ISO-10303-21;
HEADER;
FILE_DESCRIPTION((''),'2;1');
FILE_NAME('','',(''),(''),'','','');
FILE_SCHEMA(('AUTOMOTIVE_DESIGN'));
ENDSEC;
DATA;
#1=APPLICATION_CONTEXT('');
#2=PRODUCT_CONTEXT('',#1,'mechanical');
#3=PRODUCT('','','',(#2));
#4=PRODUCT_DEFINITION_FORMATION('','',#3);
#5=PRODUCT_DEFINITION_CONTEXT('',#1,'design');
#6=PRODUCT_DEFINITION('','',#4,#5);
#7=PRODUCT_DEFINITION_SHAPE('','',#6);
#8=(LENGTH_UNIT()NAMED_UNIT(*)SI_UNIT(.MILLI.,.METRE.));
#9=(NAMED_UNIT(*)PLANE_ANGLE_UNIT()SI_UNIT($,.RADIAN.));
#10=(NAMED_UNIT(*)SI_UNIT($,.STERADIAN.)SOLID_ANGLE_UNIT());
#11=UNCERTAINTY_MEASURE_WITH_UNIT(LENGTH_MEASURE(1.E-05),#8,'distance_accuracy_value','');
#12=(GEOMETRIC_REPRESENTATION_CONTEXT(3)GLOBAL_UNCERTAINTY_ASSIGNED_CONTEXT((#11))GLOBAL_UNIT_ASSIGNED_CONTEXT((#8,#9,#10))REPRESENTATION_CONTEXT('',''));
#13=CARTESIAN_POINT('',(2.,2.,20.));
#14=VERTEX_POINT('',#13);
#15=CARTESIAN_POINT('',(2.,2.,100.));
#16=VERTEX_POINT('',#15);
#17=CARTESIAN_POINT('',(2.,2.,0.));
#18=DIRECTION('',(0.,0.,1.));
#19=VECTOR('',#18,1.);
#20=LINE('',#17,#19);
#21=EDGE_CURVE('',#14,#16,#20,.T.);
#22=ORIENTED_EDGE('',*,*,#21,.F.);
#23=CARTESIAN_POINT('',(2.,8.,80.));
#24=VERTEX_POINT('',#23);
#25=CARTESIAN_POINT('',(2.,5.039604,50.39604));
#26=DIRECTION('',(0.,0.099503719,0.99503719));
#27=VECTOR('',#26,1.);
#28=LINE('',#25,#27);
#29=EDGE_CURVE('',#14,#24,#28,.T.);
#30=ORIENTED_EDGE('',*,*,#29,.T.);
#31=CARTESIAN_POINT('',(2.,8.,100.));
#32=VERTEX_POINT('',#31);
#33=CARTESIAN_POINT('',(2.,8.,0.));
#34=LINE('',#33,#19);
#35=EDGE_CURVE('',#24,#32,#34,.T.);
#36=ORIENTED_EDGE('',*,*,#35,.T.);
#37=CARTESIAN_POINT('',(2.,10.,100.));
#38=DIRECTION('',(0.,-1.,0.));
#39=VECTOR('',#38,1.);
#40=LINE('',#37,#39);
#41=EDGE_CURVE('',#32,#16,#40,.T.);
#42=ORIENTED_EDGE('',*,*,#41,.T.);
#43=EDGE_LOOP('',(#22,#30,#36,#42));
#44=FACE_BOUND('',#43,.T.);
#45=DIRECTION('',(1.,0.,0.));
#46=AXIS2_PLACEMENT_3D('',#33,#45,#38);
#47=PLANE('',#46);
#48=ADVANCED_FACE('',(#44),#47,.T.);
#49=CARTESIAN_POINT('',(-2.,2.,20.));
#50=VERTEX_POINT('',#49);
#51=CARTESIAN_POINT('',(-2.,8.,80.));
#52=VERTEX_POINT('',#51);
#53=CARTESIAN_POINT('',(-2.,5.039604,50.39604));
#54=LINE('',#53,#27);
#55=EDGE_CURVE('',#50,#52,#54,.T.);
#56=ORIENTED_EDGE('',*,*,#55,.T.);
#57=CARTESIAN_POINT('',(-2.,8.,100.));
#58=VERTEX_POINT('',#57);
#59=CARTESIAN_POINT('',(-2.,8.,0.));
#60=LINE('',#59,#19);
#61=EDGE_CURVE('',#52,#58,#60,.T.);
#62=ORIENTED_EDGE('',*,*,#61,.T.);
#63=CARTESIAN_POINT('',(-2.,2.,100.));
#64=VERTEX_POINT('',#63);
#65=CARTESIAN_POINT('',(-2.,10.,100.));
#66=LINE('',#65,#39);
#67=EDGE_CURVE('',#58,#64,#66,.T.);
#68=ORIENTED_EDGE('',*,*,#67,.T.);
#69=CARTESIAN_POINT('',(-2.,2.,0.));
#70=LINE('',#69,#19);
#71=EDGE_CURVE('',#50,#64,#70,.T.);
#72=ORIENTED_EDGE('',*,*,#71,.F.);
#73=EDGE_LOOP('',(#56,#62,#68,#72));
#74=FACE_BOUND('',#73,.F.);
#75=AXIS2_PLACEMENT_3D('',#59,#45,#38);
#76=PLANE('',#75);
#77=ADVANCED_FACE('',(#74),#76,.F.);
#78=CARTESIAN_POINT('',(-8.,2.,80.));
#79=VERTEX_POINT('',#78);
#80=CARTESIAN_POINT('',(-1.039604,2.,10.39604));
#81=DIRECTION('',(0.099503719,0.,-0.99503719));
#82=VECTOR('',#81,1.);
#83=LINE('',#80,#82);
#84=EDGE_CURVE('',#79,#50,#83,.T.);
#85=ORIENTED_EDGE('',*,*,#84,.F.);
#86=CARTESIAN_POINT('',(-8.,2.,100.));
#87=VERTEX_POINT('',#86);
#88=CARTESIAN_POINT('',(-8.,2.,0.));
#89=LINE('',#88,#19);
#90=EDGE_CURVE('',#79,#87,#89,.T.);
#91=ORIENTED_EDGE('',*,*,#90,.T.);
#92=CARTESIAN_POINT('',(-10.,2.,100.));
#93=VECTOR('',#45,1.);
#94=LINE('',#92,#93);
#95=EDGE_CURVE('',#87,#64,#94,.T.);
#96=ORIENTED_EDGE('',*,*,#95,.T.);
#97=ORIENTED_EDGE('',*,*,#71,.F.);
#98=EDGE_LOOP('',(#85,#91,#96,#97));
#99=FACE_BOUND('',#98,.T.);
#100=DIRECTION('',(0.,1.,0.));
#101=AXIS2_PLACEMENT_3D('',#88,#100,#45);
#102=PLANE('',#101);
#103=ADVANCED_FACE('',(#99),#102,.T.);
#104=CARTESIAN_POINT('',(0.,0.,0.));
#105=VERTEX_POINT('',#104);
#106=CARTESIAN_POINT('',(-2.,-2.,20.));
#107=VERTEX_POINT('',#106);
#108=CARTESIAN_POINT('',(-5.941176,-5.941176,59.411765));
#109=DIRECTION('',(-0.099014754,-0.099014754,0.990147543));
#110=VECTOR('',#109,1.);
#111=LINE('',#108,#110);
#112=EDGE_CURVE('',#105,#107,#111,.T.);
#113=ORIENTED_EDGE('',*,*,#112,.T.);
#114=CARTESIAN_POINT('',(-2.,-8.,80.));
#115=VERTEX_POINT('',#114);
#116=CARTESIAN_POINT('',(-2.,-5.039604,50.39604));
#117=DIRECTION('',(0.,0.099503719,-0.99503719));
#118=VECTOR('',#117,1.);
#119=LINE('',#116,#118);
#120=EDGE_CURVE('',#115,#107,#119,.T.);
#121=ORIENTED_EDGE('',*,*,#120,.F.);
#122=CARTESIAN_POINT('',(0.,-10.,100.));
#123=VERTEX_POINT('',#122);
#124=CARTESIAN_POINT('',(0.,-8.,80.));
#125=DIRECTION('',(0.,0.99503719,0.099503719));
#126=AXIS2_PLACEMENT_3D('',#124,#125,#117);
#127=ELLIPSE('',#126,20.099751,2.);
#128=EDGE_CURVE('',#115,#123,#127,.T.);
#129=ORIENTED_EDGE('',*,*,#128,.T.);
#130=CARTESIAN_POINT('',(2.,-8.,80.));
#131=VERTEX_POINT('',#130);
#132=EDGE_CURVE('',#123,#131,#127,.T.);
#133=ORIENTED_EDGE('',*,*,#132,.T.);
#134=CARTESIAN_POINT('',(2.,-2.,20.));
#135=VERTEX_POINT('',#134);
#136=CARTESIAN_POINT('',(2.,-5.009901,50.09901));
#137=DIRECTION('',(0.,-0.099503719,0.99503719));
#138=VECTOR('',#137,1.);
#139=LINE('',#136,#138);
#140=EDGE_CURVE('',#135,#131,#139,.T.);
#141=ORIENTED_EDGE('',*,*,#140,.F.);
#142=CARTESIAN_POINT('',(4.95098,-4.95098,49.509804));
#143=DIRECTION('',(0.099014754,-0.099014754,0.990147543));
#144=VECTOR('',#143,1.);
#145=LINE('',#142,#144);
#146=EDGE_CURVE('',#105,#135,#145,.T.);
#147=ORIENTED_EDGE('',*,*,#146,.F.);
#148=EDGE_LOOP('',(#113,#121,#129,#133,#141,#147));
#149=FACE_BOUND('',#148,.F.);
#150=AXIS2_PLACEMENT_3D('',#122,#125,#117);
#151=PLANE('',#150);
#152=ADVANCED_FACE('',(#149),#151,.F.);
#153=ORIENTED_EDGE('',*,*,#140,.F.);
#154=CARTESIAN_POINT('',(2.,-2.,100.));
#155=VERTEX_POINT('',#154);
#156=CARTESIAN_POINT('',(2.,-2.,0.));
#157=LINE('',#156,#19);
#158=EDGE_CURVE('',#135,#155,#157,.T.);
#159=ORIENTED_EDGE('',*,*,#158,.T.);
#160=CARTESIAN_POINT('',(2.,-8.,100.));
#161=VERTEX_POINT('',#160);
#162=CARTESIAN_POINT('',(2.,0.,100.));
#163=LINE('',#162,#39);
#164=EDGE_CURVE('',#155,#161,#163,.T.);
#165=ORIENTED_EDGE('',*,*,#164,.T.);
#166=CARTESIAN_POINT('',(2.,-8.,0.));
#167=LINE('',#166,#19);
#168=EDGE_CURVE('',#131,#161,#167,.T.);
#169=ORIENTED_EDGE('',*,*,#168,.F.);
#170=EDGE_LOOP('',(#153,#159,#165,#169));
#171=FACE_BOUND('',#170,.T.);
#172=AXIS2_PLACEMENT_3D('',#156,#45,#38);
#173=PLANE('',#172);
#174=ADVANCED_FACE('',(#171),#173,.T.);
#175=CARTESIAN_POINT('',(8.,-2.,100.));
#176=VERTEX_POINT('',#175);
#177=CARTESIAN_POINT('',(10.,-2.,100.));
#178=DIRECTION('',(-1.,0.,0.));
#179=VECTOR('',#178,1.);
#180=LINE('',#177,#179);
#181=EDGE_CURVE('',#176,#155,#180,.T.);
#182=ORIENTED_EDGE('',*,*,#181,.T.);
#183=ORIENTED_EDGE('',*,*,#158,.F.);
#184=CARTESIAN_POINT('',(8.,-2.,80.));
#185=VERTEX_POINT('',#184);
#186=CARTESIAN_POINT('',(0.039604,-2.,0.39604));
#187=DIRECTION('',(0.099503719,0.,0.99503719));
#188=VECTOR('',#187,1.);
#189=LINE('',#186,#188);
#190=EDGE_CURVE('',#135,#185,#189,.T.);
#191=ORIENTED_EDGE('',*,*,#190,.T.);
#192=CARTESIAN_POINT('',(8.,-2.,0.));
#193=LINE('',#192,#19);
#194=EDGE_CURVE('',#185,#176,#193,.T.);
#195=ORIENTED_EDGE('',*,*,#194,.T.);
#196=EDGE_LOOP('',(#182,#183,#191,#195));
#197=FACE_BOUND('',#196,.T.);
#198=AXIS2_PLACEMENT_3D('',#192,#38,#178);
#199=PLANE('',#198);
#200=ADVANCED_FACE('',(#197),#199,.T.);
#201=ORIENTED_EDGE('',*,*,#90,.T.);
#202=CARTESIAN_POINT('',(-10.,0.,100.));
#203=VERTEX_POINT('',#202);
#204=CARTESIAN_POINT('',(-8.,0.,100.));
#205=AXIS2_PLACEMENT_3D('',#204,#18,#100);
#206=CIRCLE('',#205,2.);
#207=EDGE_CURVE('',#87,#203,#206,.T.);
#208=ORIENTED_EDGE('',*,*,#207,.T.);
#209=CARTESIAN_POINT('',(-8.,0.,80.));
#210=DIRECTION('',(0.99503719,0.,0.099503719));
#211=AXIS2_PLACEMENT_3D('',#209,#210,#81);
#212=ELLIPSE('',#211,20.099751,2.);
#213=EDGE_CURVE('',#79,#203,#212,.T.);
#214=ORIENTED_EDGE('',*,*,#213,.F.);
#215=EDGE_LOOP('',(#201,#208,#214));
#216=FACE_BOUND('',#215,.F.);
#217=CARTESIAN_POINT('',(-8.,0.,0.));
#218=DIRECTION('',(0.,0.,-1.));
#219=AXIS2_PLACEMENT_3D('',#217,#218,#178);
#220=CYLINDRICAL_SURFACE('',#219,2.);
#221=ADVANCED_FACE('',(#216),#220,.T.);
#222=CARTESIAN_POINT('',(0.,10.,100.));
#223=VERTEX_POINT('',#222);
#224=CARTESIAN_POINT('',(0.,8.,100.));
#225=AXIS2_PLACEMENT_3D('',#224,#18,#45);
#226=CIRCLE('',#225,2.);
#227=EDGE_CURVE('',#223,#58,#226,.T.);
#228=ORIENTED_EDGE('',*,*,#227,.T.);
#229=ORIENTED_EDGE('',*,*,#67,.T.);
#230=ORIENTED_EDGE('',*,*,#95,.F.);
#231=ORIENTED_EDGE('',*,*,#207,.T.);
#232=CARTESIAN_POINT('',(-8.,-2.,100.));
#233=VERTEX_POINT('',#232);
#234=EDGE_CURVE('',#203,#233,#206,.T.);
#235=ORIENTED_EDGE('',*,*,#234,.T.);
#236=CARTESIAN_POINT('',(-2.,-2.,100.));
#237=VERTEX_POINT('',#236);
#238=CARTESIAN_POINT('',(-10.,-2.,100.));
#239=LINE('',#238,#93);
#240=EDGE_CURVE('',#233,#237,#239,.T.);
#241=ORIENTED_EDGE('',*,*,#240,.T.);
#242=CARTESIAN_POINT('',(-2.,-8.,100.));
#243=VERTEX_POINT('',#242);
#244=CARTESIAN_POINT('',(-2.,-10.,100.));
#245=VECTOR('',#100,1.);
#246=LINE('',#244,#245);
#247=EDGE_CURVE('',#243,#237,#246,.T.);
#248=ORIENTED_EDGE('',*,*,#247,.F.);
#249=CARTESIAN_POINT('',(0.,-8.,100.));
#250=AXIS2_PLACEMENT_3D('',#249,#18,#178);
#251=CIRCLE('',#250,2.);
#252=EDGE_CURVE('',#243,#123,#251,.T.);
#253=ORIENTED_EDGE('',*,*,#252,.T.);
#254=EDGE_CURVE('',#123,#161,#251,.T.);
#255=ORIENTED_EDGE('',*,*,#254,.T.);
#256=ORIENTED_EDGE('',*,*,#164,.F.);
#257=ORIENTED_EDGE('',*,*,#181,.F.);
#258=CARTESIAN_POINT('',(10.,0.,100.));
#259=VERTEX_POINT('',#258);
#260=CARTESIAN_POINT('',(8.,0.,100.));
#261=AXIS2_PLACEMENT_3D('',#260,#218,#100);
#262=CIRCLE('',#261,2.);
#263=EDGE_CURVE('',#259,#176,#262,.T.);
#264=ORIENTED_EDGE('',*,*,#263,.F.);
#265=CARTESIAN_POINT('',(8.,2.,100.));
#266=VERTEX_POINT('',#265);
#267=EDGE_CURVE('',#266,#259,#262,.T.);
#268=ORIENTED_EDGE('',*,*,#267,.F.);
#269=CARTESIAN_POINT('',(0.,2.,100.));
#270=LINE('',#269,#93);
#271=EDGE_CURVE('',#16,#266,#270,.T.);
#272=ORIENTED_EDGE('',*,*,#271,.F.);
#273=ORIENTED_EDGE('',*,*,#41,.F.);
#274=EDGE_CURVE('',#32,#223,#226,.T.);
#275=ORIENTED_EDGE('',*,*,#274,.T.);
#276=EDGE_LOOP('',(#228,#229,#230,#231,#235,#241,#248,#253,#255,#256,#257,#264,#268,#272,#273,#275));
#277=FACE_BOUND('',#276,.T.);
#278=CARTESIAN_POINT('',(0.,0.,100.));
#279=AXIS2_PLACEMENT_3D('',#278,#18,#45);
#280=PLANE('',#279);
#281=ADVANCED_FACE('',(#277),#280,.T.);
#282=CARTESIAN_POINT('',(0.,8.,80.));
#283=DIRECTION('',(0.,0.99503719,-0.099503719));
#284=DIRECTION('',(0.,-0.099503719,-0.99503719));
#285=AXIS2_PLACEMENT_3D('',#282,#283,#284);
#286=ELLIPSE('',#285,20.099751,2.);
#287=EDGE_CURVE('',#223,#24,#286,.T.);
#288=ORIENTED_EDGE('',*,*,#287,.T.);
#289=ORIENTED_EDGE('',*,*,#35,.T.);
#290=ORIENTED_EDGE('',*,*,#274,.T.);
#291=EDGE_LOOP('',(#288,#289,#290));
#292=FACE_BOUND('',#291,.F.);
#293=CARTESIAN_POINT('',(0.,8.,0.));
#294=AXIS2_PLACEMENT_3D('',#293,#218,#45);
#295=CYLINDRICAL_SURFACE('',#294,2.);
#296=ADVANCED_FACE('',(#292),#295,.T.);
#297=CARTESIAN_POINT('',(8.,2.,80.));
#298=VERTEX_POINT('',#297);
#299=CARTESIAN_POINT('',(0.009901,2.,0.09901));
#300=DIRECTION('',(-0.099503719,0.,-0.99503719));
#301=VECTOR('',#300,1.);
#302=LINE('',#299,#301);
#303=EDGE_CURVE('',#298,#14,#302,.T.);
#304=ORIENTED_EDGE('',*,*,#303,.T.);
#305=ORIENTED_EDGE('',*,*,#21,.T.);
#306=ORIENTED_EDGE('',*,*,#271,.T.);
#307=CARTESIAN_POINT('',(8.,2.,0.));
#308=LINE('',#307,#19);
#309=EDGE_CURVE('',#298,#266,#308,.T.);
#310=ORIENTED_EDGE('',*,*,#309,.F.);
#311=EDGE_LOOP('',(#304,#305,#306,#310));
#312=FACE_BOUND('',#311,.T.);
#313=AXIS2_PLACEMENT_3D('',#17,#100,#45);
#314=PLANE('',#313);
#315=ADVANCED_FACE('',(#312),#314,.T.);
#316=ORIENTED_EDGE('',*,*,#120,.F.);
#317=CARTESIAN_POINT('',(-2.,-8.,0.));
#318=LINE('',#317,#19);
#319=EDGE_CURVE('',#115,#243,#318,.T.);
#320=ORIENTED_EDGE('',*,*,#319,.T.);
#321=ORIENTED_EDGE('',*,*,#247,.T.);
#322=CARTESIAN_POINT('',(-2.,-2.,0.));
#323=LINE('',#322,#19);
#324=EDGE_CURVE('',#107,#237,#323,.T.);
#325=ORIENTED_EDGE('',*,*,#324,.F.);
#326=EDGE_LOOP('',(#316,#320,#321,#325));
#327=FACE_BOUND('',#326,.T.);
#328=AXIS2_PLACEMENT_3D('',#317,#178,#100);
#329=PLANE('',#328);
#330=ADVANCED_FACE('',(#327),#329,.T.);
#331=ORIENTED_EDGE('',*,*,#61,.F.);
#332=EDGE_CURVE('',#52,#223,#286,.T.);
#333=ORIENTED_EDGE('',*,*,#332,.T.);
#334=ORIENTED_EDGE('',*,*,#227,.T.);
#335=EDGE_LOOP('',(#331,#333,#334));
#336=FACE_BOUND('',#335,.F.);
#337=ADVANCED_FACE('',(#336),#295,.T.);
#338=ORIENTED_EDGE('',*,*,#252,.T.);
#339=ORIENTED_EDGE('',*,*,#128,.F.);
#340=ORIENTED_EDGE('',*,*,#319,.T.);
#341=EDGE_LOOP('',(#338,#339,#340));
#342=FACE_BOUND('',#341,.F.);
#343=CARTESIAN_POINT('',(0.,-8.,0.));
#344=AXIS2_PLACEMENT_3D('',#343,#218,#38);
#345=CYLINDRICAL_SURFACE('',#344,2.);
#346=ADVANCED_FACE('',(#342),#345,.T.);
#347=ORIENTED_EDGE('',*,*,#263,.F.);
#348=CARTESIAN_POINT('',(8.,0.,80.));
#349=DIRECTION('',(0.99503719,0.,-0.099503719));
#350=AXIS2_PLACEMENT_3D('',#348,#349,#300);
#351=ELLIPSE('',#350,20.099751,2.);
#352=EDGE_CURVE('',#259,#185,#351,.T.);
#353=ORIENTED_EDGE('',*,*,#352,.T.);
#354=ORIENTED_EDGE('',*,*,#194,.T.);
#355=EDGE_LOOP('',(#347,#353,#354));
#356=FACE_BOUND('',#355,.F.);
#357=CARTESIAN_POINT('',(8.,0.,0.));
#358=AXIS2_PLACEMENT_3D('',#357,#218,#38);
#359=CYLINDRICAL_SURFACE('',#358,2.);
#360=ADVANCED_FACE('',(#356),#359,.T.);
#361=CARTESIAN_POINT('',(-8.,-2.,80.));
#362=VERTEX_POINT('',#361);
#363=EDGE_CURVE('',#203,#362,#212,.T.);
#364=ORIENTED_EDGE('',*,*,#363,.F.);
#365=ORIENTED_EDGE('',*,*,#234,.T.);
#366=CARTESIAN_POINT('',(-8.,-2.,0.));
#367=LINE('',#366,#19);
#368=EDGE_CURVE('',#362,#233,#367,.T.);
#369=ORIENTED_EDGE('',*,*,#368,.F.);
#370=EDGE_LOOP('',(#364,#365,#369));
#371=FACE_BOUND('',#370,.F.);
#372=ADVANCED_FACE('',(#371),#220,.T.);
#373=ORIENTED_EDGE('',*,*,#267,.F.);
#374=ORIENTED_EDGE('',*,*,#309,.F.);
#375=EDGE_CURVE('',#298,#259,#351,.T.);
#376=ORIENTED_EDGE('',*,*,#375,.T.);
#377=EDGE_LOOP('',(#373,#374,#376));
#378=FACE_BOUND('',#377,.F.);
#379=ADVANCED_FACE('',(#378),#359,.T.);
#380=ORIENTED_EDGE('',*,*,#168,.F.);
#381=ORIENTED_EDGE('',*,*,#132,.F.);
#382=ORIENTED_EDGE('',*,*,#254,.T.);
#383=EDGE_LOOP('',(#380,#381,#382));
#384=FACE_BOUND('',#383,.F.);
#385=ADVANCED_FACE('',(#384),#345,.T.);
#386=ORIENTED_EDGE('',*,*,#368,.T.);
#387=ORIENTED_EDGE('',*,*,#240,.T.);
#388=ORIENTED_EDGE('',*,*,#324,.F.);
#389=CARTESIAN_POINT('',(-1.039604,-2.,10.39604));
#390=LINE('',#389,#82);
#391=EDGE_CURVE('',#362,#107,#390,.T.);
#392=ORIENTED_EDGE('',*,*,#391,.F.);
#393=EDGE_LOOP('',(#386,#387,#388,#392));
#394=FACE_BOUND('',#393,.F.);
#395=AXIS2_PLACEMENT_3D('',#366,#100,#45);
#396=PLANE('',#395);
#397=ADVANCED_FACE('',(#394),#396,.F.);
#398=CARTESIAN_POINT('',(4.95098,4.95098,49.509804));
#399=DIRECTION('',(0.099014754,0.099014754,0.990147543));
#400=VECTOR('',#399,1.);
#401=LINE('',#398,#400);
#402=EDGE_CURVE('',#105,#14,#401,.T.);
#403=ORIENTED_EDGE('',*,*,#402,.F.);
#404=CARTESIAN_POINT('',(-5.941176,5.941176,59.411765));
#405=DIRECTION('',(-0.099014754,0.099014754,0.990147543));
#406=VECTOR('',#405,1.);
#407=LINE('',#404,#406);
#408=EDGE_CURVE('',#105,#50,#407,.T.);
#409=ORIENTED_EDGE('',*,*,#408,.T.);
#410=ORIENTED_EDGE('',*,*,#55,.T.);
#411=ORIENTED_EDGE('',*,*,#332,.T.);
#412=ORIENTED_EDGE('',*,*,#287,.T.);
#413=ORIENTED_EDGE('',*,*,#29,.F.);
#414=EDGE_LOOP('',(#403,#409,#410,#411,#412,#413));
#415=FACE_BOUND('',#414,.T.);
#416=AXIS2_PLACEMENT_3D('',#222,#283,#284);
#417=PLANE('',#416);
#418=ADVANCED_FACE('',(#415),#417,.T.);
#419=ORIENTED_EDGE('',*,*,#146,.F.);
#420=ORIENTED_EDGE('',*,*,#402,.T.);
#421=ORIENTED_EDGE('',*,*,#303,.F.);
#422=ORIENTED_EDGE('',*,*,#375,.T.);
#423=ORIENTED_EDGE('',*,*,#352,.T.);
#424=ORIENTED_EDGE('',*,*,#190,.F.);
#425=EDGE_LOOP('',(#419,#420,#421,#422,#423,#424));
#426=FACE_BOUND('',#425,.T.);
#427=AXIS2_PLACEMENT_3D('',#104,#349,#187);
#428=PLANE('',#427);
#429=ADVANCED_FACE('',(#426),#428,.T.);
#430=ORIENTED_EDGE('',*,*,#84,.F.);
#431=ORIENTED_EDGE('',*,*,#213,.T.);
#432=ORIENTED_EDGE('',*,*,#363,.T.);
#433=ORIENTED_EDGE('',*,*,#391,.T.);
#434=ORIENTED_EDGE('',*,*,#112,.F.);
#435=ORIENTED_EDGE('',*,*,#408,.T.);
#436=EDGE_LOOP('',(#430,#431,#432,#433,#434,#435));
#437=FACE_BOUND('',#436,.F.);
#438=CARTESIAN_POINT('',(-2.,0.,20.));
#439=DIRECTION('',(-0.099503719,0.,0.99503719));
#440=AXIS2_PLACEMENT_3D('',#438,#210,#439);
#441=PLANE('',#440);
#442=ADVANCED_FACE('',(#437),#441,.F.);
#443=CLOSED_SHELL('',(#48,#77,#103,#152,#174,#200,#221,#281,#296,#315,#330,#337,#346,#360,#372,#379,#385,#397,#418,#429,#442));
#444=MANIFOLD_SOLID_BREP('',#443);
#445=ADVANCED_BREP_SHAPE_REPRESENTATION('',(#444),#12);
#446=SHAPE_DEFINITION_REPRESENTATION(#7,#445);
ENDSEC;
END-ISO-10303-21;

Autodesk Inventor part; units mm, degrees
ref_plane "YZ Plane" through (0, 0, 0) normal (1, 0, 0) x (0, 1, 0)
ref_plane "XZ Plane" through (0, 0, 0) normal (0, 1, 0) x (-1, 0, 0)
ref_plane "XY Plane" through (0, 0, 0) normal (0, 0, 1) x (1, 0, 0)
sketch "Sketch1" plane through (0, 0, 0) normal (0, 0, 1) x (1, 0, 0)
  line L0 (0, 0) -> (0, -10)
  line L1 (0, 0) -> (10, 0)
  line L2 (0, 0) -> (0, 10)
  line L3 (0, 0) -> (-10, 0)
  line L4 (-10, 0) -> (-10, -2)
  line L5 (-10, -2) -> (0, -2)
  line L6 (-10, 0) -> (-10, 2)
  line L7 (-10, 2) -> (0, 2)
  line L8 (0, 10) -> (-2, 10)
  line L9 (-2, 10) -> (-2, 0)
  line L10 (0, 10) -> (2, 10)
  line L11 (2, 10) -> (2, 0)
  line L12 (0, 2) -> (10, 2)
  line L13 (10, 2) -> (10, 0)
  line L14 (10, -2) -> (0, -2)
  line L15 (10, -2) -> (10, 0)
  line L16 (2, 0) -> (2, -10)
  line L17 (0, -10) -> (2, -10)
  line L18 (0, -10) -> (-2, -10)
  line L19 (-2, -10) -> (-2, 0)
  line L20 (-10, 0) -> (-8, 0)
  line L21 (-8, 0) -> (-8, -2)
  line L22 (-8, 0) -> (-8, 2)
  arc A0 (-8, 2) -> (-10, 0) centre (-8, 0) ccw
  arc A1 (-10, 0) -> (-8, -2) centre (-8, 0) ccw
  line L23 (0, -10) -> (0, -8)
  line L24 (0, -8) -> (2, -8)
  line L25 (0, -8) -> (-2, -8)
  arc A2 (-2, -8) -> (0, -10) centre (0, -8) ccw
  arc A3 (0, -10) -> (2, -8) centre (0, -8) ccw
  line L26 (10, 0) -> (8, 0)
  line L27 (8, 0) -> (8, 2)
  line L28 (8, 0) -> (8, -2)
  arc A4 (8, -2) -> (10, 0) centre (8, 0) ccw
  arc A5 (10, 0) -> (8, 2) centre (8, 0) ccw
  line L29 (0, 10) -> (0, 8)
  line L30 (0, 8) -> (2, 8)
  line L31 (0, 8) -> (-2, 8)
  arc A6 (0, 10) -> (-2, 8) centre (0, 8) ccw
  arc A7 (2, 8) -> (0, 10) centre (0, 8) ccw
  point P0 (-2, -2)
  point P1 (2, -2)
  point P2 (2, 2)
  point P3 (-2, 2)
  dimension "d0" = 10
  dimension "d1" = 10
  dimension "d2" = 10
  dimension "d3" = 10
  dimension "d4" = 2
  dimension "d5" = 2
  dimension "d6" = 2
  dimension "d7" = 2
  dimension "d8" = 2
  dimension "d9" = 2
  dimension "d10" = 2
  dimension "d11" = 2
  dimension "d12" = 2
  dimension "d13" = 2
  dimension "d14" = 2
  dimension "d15" = 2
  dimension "d16" = 2
  dimension "d17" = 2
  dimension "d18" = 2
extrude "Extrusion1" add sketch "Sketch1" along normal blind 100 contours L1 L16 L14 L0 | L2 L12 L11 L1 | L3 L9 L7 L2 | L0 L5 L19 L3 | L14 L16 L24 L0 | L0 L25 L19 L5 | L11 L12 L27 L1 | L1 L28 L14 L16 | L7 L9 L31 L2 | L2 L30 L11 L12 | L19 L5 L21 L3 | L3 L22 L7 L9 | L24 A3 L0 | L0 A2 L25 | L27 A5 L1 | L1 A4 L28 | L31 A6 L2 | L2 A7 L30 | L21 A1 L3 | L3 A0 L22
sketch "Sketch2" plane through (0, 0, 0) normal (0, 1, 0) x (-1, 0, 0)
  line L0 (2, 100) -> (-2, 100) projected
  line L1 (10, 0) -> (10, 100) projected
  line L2 (2, 100) -> (2, 0)
  line L3 (10, 100) -> (2, 100)
  line L4 (-2, 100) -> (-2, 0)
  line L5 (-8, 100) -> (-10, 100) projected
  line L6 (-10, 100) -> (-2, 100)
  line L7 (10, 0) -> (10, 100)
  line L8 (-2, 0) -> (-10, 0)
  line L9 (-10, 0) -> (-10, 100)
  line L10 (10, 0) -> (0, 0)
  line L11 (0, 0) -> (10, 100)
  line L12 (0, 0) -> (-10, 100)
  line L13 (-10, 0) -> (0, 0)
  line L14 (0, 0) -> (-10, 100)
extrude "Extrusion2" cut sketch "Sketch2" along normal mid plane 20 contours L11 L1 L10 L2 | L2 L10 L11 | L12 L13 L4 | L4 L8 L9 L12
sketch "Sketch3" plane through (0, 0, 0) normal (1, 0, 0) x (0, 1, 0)
  line L0 (0, 100) -> (-2, 100) projected
  line L1 (0, 0) -> (0, 100)
  line L2 (0, 100) -> (10, 100)
  line L3 (10, 0) -> (10, 100) projected
  line L4 (10, 100) -> (10, 0)
  line L5 (-10, 0) -> (10, 0) projected
  line L6 (0, 0) -> (10, 0)
  line L7 (10, 0) -> (0, 0)
  line L8 (10, 100) -> (0, 0)
  line L9 (0, 0) -> (-10, 0)
  line L10 (-10, 0) -> (-10, 100)
  line L11 (-10, 100) -> (0, 100)
  line L12 (-10, 100) -> (0, 0)
extrude "Extrusion3" cut sketch "Sketch3" along normal mid plane 20 contours L8 L3 L5 | L5 L10 L12
sketch "Sketch4" plane through (0, 0, 100) normal (0, 0, 1) x (1, 0, 0)
  line L0 (-8, -2) -> (-2, -2) projected
  line L1 (-2, -2) -> (-8, -2)
  line L2 (-2, -2) -> (-2, -7.923)
  line L3 (2, -8) -> (2, -2) projected
  line L4 (2, -2) -> (2, -8)
  arc A0 (8, -2) -> (10, 0) centre (8, 0) ccw projected
  line L5 (2, -2) -> (8, -2)
  line L6 (2, 2) -> (2, 8) projected
  line L7 (8, 2) -> (2, 2) projected
  line L8 (2, 2) -> (8, 2)
  line L9 (2, 2) -> (2, 8)
  line L10 (-2, 8) -> (-2, 2) projected
  line L11 (-2, 2) -> (-2, 8)
  arc A1 (-8, 2) -> (-10, 0) centre (-8, 0) ccw projected
  line L12 (-2, 2) -> (-8, 2)
  arc A2 (-8, 2) -> (-8, -2) centre (-8, 0) ccw
  arc A3 (-2, -8) -> (0, -10) centre (0, -8) ccw projected
  arc A4 (-2, -8) -> (2, -8) centre (0, -8) ccw
  arc A5 (8, -2) -> (8, 2) centre (8, 0) ccw
  arc A6 (2, 8) -> (-2, 8) centre (0, 8) ccw
properties part number "Prikker V1.1" material "ABS Plastic"
